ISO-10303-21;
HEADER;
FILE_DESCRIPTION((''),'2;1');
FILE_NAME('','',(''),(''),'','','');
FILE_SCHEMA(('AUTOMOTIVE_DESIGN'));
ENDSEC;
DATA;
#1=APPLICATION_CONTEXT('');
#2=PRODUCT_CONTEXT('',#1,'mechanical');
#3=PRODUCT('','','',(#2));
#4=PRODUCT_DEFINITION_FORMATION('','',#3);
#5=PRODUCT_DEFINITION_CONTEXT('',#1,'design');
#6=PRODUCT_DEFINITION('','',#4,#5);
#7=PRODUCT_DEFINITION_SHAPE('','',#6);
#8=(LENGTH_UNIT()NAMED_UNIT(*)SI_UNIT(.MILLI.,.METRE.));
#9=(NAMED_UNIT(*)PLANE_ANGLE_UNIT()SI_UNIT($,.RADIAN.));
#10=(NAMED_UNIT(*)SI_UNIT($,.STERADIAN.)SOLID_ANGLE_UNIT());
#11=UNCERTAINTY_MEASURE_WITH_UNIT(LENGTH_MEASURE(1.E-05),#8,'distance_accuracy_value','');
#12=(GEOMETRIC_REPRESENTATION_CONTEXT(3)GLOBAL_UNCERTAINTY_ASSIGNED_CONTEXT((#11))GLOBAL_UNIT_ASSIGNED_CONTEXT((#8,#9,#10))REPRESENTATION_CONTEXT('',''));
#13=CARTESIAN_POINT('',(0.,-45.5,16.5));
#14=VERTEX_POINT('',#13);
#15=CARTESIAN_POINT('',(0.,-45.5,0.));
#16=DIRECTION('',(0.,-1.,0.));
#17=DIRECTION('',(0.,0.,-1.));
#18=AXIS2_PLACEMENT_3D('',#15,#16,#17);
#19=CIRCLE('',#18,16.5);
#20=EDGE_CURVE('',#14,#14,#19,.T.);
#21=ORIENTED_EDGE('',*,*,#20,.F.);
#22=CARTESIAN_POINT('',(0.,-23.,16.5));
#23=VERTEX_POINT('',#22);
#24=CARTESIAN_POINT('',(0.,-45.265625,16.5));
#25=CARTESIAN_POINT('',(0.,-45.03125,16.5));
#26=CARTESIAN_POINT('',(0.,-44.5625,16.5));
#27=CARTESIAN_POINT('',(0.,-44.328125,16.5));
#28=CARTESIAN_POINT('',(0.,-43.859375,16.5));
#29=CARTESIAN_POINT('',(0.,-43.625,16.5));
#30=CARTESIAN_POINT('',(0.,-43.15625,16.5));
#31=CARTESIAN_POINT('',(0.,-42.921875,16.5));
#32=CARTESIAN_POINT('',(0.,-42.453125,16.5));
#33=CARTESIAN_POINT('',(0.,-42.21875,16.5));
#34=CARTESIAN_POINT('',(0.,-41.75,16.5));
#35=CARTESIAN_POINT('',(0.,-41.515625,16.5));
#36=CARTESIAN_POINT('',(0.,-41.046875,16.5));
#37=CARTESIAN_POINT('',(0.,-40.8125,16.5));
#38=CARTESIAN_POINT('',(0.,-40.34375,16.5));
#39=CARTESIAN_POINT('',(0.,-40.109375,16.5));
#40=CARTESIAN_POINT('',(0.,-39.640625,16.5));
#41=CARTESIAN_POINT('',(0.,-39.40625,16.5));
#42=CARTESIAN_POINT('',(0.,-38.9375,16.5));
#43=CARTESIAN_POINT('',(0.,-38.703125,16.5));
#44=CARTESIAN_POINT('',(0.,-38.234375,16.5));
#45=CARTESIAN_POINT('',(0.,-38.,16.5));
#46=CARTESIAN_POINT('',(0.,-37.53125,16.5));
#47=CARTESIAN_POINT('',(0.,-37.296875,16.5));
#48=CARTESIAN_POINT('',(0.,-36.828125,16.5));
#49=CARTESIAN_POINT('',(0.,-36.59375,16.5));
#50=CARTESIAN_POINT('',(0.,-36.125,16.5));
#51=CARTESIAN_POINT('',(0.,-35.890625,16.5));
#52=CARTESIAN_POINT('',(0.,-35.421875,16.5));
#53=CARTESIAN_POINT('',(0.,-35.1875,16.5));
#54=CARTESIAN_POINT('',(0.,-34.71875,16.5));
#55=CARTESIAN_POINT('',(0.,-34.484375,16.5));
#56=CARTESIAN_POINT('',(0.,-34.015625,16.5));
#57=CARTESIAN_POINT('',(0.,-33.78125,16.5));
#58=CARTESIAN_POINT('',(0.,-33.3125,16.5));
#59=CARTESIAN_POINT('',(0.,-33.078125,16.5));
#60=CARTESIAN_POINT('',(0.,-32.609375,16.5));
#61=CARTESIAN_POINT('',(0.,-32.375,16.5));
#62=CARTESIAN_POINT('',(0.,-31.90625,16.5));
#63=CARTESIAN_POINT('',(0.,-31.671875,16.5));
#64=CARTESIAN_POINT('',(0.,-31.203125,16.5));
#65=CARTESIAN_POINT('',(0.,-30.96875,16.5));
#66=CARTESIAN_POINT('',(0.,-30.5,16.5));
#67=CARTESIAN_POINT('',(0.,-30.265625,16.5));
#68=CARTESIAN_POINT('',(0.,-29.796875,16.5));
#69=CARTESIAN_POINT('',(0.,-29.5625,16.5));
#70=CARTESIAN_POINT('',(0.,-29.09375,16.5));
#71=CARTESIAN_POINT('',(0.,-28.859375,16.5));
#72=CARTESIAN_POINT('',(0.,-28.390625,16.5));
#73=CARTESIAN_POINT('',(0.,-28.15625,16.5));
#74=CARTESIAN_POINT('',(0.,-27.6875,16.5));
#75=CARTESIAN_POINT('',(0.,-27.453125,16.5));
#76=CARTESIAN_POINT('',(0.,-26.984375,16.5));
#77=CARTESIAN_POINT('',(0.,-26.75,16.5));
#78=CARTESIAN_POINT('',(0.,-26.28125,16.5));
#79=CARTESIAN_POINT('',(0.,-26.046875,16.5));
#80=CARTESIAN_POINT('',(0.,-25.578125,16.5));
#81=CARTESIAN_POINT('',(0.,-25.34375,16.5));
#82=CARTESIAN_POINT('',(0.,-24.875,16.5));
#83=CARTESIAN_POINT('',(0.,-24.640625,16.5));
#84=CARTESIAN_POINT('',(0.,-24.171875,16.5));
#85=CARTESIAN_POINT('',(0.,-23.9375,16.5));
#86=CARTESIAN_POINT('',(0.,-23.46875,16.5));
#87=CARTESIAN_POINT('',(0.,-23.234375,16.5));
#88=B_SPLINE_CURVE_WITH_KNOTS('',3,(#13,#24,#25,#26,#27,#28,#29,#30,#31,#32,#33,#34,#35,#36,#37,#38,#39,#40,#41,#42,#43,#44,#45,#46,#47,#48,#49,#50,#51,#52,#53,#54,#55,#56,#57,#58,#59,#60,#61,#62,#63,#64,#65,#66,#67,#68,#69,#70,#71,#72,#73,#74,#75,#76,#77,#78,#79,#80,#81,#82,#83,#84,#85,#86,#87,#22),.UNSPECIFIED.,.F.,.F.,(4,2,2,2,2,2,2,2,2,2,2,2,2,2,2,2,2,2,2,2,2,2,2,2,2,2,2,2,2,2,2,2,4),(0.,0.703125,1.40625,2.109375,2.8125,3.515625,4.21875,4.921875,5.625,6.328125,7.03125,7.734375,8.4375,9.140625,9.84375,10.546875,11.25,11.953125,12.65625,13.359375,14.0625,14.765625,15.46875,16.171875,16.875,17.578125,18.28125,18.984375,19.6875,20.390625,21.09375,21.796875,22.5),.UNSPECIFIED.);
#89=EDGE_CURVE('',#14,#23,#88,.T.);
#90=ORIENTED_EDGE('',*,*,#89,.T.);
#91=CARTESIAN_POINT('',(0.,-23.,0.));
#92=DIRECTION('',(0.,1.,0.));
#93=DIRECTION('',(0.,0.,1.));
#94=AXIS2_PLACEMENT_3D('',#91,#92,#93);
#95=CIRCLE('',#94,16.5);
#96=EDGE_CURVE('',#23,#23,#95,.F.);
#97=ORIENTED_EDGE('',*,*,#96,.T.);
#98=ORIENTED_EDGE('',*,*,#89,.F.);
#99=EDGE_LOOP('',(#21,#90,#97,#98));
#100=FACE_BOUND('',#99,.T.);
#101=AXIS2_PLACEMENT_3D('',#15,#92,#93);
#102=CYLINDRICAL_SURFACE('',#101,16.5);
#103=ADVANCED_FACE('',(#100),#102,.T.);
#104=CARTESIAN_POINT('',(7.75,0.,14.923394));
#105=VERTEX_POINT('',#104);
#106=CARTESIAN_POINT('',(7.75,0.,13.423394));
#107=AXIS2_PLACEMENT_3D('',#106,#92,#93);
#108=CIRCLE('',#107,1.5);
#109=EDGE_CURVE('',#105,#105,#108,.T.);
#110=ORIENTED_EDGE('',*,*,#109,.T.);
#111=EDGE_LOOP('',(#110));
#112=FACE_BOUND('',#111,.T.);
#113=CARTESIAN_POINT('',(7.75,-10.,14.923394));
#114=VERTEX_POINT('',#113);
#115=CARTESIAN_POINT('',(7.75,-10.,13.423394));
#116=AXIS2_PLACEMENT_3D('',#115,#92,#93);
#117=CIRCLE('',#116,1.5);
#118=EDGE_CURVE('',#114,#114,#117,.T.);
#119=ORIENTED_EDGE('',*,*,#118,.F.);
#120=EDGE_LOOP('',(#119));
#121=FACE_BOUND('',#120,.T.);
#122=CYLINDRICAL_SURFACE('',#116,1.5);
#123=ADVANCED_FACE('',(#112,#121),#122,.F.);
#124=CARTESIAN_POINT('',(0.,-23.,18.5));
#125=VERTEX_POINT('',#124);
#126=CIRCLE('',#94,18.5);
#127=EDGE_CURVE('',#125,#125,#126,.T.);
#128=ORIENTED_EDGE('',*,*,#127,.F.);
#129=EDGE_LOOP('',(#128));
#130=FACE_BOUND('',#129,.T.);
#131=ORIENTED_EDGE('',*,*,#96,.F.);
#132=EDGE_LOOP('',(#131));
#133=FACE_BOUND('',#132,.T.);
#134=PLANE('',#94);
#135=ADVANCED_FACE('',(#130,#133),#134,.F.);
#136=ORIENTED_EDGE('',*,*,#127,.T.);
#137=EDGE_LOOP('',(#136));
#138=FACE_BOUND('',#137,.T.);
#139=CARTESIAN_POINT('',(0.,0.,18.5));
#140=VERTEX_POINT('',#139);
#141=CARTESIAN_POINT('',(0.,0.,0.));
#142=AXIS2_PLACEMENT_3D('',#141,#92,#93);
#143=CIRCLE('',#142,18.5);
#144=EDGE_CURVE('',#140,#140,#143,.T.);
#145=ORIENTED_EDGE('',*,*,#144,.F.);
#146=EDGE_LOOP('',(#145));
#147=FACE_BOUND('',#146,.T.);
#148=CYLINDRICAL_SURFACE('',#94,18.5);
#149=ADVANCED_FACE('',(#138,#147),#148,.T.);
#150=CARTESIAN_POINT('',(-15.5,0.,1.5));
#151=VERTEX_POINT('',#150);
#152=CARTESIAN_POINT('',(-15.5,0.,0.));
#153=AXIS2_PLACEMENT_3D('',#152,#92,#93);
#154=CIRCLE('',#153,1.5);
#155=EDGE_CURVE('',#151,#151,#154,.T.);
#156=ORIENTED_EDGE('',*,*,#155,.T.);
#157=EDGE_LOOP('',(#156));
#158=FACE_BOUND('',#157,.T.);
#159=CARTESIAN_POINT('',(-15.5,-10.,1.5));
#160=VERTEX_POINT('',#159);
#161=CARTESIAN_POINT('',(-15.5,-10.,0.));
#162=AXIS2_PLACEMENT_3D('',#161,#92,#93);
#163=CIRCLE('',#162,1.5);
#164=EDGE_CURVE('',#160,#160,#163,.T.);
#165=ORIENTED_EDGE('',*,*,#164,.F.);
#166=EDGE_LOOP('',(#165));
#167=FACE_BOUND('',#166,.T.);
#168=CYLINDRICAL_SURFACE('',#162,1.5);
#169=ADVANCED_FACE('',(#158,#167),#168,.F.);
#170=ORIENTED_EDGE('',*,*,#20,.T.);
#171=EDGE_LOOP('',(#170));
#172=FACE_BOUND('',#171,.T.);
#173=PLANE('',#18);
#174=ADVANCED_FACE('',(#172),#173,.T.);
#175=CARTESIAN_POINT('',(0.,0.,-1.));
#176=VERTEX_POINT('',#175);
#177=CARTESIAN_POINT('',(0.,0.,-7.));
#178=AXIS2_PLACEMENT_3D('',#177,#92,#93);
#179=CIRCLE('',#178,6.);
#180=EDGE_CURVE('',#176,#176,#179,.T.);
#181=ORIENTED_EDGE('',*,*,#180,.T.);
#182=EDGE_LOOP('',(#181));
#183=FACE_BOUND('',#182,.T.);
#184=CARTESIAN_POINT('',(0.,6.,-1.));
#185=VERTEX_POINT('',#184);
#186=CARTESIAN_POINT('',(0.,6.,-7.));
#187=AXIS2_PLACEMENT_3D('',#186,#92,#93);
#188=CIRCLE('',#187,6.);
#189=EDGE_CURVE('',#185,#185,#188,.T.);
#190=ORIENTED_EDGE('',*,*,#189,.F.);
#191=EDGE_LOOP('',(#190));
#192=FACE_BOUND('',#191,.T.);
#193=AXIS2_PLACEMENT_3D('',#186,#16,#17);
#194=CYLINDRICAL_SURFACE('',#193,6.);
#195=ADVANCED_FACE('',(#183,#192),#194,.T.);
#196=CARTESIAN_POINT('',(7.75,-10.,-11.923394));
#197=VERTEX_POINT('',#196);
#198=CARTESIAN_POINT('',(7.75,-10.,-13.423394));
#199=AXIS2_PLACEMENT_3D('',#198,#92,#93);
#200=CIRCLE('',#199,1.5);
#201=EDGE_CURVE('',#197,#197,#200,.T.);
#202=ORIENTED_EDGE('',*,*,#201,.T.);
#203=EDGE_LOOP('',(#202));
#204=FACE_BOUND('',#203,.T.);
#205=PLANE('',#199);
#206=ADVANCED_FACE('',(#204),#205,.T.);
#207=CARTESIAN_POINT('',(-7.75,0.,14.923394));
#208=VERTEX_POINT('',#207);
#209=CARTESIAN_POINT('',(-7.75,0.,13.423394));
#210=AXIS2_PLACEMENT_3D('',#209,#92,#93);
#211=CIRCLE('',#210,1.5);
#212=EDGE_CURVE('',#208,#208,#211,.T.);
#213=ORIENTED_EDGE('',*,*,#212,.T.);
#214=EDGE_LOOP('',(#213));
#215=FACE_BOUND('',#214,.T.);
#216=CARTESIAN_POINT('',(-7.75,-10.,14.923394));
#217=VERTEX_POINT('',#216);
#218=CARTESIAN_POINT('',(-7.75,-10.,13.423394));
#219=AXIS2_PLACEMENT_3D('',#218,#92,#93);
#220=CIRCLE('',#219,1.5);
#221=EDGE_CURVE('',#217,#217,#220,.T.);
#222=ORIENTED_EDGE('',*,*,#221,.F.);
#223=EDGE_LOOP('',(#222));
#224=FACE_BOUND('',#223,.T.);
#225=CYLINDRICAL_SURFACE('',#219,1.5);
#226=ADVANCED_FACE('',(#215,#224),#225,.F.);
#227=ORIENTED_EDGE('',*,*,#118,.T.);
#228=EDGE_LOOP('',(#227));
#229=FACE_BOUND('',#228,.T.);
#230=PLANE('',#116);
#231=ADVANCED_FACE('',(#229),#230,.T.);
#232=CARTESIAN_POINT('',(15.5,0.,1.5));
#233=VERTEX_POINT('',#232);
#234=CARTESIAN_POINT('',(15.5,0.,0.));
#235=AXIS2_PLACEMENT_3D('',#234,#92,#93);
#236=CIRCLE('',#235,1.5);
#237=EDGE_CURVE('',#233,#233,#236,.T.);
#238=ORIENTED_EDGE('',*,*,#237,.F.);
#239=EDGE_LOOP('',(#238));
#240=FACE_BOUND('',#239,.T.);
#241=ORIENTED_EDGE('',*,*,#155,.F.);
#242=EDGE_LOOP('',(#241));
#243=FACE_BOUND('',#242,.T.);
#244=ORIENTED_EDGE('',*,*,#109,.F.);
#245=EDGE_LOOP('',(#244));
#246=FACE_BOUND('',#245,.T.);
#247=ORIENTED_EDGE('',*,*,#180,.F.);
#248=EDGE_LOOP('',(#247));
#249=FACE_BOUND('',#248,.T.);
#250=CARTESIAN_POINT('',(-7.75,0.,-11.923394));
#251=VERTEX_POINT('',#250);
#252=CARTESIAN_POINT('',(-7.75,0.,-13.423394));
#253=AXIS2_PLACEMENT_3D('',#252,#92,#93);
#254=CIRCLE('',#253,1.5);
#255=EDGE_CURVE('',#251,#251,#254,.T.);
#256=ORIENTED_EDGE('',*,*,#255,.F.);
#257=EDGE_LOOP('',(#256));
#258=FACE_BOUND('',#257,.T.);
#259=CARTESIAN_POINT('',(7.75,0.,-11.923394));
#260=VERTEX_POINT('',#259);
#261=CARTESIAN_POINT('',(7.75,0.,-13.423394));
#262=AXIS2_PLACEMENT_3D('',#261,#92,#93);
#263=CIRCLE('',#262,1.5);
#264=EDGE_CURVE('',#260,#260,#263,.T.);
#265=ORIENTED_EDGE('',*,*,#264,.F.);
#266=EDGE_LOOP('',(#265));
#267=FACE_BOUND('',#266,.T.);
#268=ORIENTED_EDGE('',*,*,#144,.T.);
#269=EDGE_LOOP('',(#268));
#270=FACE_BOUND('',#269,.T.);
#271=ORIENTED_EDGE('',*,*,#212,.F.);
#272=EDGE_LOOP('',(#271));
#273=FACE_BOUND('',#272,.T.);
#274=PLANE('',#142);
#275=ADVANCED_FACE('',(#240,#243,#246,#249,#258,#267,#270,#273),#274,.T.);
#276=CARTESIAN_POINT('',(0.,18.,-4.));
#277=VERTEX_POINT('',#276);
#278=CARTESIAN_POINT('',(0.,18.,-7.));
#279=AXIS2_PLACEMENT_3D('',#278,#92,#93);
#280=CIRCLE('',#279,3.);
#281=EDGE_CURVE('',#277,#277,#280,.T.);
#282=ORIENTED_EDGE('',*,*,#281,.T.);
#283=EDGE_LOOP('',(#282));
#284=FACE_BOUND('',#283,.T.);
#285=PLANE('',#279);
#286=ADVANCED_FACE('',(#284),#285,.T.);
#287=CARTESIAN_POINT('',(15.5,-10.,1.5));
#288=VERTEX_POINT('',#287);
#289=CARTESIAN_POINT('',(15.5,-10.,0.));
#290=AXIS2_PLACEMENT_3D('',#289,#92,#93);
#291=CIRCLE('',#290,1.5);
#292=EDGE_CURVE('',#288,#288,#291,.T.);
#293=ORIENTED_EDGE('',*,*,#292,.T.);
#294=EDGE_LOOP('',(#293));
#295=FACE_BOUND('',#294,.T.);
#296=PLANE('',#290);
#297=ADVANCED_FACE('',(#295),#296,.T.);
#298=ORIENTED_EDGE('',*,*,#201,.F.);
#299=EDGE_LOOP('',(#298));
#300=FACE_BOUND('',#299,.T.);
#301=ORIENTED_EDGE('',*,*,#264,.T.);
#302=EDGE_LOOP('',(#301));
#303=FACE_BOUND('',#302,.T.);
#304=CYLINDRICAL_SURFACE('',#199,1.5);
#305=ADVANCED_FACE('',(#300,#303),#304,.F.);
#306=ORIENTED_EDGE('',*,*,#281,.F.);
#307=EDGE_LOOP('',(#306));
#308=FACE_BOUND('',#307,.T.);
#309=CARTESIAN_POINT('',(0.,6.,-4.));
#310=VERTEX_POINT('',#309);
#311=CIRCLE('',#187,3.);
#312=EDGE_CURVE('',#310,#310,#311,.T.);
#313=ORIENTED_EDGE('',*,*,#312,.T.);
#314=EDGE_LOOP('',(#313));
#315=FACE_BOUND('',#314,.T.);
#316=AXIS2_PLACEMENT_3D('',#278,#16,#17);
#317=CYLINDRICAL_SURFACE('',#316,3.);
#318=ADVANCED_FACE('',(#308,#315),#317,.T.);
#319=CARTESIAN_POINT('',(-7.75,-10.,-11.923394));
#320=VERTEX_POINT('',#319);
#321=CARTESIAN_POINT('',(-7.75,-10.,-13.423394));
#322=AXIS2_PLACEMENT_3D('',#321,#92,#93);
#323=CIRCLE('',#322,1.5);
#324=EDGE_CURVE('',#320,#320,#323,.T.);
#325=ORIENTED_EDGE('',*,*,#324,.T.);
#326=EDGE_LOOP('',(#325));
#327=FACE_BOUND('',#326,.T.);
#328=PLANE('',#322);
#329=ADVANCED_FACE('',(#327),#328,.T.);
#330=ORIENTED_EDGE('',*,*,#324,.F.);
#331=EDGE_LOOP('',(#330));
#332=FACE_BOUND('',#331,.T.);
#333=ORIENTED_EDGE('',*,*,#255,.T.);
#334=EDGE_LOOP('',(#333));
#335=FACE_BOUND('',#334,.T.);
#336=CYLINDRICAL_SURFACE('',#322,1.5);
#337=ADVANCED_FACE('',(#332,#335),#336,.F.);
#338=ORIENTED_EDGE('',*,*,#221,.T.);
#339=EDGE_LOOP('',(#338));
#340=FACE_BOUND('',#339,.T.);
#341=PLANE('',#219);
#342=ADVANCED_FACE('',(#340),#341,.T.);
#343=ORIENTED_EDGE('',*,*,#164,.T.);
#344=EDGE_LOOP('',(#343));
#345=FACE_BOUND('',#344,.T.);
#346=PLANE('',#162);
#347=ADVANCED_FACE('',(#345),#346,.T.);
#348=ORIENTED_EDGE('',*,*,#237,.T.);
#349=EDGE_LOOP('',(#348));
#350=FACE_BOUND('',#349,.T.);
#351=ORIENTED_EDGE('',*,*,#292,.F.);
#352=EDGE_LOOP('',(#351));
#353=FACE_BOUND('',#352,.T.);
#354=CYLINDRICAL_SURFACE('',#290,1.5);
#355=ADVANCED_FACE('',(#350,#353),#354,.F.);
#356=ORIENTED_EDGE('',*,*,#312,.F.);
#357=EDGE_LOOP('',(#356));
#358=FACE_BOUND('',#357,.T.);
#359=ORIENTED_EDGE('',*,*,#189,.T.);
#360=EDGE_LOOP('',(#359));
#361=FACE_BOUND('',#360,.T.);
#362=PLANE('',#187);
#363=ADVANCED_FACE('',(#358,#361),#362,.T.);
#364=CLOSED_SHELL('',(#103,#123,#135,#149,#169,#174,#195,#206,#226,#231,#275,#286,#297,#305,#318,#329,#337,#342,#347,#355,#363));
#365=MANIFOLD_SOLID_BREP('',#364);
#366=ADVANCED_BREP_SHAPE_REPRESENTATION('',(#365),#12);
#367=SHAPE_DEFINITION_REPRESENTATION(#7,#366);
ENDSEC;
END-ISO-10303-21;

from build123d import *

# Parameters (mm, degrees)
SKETCH_1_R          = 18.5
EXTRUDE_1_DEPTH     = 23
SKETCH_2_R          = 16.5
EXTRUDE_2_DEPTH     = 22.5
SKETCH_3_R          = 1.5
CUT_EXTRUDE_1_DEPTH = 10
SKETCH_4_R          = 6
EXTRUDE_3_DEPTH     = 6
SKETCH_5_R          = 3
EXTRUDE_4_DEPTH     = 12


with BuildPart() as part:
    # 草图1 → 凸台-拉伸1 (new body)
    with BuildSketch(Plane(origin=(0, 0, 0), x_dir=(1, 0, 0), z_dir=(0, 1, 0))):
        with Locations(Location((0, 0, 0), (0, 0, 270))):
            Circle(SKETCH_1_R)
    extrude(amount=-EXTRUDE_1_DEPTH)

    # 草图2 → 凸台-拉伸2 (add)
    with BuildSketch(Plane.XZ.offset(23)):
        with Locations(Location((0, 0, 0), (0, 0, 90))):
            Circle(SKETCH_2_R)
    extrude(amount=EXTRUDE_2_DEPTH)

    # 草图3 → 切除-拉伸1 (cut)
    with BuildSketch(Plane(origin=(0, 0, 0), x_dir=(1, 0, 0), z_dir=(0, 1, 0))):
        with Locations(Location((-15.5, 0, 0), (0, 0, 270))):
            Circle(SKETCH_3_R)
        with Locations(Location((-7.75, 13.423393759, 0), (0, 0, 270))):
            Circle(SKETCH_3_R)
        with Locations(Location((7.75, 13.423393759, 0), (0, 0, 270))):
            Circle(SKETCH_3_R)
        with Locations(Location((15.5, 0, 0), (0, 0, 270))):
            Circle(SKETCH_3_R)
        with Locations(Location((7.75, -13.423393759, 0), (0, 0, 270))):
            Circle(SKETCH_3_R)
        with Locations(Location((-7.75, -13.423393759, 0), (0, 0, 270))):
            Circle(SKETCH_3_R)
    extrude(amount=-CUT_EXTRUDE_1_DEPTH, mode=Mode.SUBTRACT)

    # 草图4 → 凸台-拉伸3 (add)
    with BuildSketch(Plane(origin=(0, 0, 0), x_dir=(1, 0, 0), z_dir=(0, 1, 0))):
        with Locations(Location((0, 7, 0), (0, 0, 270))):
            Circle(SKETCH_4_R)
    extrude(amount=EXTRUDE_3_DEPTH)

    # 草图5 → 凸台-拉伸4 (add)
    with BuildSketch(Plane(origin=(0, 6, 0), x_dir=(1, 0, 0), z_dir=(0, 1, 0))):
        with Locations(Location((0, 7, 0), (0, 0, 270))):
            Circle(SKETCH_5_R)
    extrude(amount=EXTRUDE_4_DEPTH)


solid = part.part
